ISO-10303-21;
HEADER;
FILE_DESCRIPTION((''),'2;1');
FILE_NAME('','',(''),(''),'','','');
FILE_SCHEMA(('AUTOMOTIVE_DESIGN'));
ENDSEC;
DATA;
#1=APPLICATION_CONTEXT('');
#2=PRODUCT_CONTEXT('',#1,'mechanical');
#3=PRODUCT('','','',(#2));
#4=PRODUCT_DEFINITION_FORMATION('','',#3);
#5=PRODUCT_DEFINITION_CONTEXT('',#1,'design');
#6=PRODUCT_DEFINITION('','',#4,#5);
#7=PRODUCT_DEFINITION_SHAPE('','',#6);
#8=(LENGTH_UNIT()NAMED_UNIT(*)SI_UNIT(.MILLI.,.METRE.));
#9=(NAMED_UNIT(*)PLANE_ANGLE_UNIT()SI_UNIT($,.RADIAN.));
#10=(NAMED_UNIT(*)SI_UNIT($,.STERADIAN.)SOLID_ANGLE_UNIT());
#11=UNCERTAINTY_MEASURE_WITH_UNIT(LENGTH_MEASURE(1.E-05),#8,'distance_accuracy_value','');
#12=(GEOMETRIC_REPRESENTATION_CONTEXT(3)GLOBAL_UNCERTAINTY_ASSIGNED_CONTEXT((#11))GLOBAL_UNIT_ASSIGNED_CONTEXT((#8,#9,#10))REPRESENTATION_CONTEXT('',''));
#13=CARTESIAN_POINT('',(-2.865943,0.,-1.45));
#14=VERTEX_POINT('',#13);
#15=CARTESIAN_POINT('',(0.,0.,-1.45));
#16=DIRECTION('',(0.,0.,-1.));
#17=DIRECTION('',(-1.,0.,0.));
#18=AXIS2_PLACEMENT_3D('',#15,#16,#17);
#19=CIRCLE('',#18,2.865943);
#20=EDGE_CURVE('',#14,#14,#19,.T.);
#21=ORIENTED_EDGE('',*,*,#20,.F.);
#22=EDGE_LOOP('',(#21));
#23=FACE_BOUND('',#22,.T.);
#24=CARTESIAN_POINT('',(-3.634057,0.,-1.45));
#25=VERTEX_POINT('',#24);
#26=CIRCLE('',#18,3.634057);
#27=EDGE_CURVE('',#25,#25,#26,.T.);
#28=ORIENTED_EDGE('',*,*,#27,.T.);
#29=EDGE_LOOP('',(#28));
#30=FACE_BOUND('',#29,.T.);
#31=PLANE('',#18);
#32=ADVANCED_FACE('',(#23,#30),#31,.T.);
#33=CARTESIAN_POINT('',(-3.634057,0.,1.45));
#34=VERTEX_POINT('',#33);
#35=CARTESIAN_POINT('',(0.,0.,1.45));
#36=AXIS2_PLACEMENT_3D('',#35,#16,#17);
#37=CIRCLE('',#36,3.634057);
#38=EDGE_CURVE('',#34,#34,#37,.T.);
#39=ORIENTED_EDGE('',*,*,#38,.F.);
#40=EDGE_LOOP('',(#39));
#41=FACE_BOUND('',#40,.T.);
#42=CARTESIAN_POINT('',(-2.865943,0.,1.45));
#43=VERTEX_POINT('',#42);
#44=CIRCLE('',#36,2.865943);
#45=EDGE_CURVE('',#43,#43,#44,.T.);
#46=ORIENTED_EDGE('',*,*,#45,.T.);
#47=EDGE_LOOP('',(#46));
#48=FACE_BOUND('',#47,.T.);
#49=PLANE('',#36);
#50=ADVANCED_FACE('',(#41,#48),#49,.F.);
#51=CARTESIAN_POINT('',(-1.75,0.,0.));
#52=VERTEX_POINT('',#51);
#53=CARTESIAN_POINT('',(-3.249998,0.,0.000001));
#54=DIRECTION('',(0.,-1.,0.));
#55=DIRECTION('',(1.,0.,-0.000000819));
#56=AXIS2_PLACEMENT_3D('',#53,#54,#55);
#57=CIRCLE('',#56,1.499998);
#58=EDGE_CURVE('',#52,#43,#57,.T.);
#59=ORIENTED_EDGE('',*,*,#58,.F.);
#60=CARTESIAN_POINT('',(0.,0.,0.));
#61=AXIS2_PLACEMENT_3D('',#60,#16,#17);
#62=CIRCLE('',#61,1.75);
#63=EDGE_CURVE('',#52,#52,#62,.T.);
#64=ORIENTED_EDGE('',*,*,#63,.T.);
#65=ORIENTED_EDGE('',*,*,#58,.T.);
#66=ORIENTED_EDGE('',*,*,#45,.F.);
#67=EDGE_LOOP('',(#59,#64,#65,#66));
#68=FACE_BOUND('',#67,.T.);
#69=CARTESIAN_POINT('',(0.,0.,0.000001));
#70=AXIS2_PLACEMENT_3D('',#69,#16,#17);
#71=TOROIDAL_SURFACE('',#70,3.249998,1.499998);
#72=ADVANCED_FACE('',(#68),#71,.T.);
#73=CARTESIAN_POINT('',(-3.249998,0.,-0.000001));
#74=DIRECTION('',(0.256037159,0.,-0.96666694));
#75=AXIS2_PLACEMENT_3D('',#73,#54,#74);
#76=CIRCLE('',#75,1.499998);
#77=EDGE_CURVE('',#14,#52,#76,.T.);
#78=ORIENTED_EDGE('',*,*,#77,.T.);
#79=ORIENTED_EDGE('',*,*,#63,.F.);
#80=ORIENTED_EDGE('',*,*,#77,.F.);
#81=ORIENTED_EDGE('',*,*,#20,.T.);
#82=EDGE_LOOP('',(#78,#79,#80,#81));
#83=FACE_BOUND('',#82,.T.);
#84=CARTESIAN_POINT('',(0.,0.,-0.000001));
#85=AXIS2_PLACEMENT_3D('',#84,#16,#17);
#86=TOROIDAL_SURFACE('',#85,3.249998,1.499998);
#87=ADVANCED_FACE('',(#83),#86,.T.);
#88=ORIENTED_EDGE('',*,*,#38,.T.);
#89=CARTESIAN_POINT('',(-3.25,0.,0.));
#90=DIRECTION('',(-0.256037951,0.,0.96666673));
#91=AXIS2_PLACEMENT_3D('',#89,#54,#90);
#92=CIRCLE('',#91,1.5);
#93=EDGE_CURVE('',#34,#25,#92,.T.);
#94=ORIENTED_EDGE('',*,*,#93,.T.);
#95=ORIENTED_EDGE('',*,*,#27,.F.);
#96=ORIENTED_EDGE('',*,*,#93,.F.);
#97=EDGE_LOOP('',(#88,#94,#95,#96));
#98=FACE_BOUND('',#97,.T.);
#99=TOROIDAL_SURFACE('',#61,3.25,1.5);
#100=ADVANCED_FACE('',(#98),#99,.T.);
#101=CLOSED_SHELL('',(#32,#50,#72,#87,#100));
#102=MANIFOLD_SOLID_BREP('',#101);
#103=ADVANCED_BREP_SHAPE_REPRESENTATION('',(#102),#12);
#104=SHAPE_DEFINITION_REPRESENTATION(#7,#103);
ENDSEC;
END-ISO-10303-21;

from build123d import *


with BuildPart() as f2:
    # F0 (on Front) → F2 (revolve)
    with BuildSketch(Plane.XZ):
        with BuildLine():
            ThreePointArc((-2.865943, -1.45), (-2.061285, -0.914854), (-1.75, 0))
            Line((-1.75, 0), (-3.25, 0))
            Line((-3.25, 0), (-3.25, 1.45))
            Line((-3.25, 1.45), (-3.634057, 1.45))
            ThreePointArc((-3.634057, 1.45), (-4.75, 0), (-3.634057, -1.45))
            Line((-3.634057, -1.45), (-2.865943, -1.45))
        make_face()
        with BuildLine():
            Line((-3.25, 0), (-1.75, 0))
            ThreePointArc((-1.75, 0), (-2.061285, 0.914854), (-2.865943, 1.45))
            Line((-2.865943, 1.45), (-3.25, 1.45))
            Line((-3.25, 1.45), (-3.25, 0))
        make_face()
    revolve(axis=Axis((0, 0, -0.170698), (0, 0, -1)))


solid = f2.part
